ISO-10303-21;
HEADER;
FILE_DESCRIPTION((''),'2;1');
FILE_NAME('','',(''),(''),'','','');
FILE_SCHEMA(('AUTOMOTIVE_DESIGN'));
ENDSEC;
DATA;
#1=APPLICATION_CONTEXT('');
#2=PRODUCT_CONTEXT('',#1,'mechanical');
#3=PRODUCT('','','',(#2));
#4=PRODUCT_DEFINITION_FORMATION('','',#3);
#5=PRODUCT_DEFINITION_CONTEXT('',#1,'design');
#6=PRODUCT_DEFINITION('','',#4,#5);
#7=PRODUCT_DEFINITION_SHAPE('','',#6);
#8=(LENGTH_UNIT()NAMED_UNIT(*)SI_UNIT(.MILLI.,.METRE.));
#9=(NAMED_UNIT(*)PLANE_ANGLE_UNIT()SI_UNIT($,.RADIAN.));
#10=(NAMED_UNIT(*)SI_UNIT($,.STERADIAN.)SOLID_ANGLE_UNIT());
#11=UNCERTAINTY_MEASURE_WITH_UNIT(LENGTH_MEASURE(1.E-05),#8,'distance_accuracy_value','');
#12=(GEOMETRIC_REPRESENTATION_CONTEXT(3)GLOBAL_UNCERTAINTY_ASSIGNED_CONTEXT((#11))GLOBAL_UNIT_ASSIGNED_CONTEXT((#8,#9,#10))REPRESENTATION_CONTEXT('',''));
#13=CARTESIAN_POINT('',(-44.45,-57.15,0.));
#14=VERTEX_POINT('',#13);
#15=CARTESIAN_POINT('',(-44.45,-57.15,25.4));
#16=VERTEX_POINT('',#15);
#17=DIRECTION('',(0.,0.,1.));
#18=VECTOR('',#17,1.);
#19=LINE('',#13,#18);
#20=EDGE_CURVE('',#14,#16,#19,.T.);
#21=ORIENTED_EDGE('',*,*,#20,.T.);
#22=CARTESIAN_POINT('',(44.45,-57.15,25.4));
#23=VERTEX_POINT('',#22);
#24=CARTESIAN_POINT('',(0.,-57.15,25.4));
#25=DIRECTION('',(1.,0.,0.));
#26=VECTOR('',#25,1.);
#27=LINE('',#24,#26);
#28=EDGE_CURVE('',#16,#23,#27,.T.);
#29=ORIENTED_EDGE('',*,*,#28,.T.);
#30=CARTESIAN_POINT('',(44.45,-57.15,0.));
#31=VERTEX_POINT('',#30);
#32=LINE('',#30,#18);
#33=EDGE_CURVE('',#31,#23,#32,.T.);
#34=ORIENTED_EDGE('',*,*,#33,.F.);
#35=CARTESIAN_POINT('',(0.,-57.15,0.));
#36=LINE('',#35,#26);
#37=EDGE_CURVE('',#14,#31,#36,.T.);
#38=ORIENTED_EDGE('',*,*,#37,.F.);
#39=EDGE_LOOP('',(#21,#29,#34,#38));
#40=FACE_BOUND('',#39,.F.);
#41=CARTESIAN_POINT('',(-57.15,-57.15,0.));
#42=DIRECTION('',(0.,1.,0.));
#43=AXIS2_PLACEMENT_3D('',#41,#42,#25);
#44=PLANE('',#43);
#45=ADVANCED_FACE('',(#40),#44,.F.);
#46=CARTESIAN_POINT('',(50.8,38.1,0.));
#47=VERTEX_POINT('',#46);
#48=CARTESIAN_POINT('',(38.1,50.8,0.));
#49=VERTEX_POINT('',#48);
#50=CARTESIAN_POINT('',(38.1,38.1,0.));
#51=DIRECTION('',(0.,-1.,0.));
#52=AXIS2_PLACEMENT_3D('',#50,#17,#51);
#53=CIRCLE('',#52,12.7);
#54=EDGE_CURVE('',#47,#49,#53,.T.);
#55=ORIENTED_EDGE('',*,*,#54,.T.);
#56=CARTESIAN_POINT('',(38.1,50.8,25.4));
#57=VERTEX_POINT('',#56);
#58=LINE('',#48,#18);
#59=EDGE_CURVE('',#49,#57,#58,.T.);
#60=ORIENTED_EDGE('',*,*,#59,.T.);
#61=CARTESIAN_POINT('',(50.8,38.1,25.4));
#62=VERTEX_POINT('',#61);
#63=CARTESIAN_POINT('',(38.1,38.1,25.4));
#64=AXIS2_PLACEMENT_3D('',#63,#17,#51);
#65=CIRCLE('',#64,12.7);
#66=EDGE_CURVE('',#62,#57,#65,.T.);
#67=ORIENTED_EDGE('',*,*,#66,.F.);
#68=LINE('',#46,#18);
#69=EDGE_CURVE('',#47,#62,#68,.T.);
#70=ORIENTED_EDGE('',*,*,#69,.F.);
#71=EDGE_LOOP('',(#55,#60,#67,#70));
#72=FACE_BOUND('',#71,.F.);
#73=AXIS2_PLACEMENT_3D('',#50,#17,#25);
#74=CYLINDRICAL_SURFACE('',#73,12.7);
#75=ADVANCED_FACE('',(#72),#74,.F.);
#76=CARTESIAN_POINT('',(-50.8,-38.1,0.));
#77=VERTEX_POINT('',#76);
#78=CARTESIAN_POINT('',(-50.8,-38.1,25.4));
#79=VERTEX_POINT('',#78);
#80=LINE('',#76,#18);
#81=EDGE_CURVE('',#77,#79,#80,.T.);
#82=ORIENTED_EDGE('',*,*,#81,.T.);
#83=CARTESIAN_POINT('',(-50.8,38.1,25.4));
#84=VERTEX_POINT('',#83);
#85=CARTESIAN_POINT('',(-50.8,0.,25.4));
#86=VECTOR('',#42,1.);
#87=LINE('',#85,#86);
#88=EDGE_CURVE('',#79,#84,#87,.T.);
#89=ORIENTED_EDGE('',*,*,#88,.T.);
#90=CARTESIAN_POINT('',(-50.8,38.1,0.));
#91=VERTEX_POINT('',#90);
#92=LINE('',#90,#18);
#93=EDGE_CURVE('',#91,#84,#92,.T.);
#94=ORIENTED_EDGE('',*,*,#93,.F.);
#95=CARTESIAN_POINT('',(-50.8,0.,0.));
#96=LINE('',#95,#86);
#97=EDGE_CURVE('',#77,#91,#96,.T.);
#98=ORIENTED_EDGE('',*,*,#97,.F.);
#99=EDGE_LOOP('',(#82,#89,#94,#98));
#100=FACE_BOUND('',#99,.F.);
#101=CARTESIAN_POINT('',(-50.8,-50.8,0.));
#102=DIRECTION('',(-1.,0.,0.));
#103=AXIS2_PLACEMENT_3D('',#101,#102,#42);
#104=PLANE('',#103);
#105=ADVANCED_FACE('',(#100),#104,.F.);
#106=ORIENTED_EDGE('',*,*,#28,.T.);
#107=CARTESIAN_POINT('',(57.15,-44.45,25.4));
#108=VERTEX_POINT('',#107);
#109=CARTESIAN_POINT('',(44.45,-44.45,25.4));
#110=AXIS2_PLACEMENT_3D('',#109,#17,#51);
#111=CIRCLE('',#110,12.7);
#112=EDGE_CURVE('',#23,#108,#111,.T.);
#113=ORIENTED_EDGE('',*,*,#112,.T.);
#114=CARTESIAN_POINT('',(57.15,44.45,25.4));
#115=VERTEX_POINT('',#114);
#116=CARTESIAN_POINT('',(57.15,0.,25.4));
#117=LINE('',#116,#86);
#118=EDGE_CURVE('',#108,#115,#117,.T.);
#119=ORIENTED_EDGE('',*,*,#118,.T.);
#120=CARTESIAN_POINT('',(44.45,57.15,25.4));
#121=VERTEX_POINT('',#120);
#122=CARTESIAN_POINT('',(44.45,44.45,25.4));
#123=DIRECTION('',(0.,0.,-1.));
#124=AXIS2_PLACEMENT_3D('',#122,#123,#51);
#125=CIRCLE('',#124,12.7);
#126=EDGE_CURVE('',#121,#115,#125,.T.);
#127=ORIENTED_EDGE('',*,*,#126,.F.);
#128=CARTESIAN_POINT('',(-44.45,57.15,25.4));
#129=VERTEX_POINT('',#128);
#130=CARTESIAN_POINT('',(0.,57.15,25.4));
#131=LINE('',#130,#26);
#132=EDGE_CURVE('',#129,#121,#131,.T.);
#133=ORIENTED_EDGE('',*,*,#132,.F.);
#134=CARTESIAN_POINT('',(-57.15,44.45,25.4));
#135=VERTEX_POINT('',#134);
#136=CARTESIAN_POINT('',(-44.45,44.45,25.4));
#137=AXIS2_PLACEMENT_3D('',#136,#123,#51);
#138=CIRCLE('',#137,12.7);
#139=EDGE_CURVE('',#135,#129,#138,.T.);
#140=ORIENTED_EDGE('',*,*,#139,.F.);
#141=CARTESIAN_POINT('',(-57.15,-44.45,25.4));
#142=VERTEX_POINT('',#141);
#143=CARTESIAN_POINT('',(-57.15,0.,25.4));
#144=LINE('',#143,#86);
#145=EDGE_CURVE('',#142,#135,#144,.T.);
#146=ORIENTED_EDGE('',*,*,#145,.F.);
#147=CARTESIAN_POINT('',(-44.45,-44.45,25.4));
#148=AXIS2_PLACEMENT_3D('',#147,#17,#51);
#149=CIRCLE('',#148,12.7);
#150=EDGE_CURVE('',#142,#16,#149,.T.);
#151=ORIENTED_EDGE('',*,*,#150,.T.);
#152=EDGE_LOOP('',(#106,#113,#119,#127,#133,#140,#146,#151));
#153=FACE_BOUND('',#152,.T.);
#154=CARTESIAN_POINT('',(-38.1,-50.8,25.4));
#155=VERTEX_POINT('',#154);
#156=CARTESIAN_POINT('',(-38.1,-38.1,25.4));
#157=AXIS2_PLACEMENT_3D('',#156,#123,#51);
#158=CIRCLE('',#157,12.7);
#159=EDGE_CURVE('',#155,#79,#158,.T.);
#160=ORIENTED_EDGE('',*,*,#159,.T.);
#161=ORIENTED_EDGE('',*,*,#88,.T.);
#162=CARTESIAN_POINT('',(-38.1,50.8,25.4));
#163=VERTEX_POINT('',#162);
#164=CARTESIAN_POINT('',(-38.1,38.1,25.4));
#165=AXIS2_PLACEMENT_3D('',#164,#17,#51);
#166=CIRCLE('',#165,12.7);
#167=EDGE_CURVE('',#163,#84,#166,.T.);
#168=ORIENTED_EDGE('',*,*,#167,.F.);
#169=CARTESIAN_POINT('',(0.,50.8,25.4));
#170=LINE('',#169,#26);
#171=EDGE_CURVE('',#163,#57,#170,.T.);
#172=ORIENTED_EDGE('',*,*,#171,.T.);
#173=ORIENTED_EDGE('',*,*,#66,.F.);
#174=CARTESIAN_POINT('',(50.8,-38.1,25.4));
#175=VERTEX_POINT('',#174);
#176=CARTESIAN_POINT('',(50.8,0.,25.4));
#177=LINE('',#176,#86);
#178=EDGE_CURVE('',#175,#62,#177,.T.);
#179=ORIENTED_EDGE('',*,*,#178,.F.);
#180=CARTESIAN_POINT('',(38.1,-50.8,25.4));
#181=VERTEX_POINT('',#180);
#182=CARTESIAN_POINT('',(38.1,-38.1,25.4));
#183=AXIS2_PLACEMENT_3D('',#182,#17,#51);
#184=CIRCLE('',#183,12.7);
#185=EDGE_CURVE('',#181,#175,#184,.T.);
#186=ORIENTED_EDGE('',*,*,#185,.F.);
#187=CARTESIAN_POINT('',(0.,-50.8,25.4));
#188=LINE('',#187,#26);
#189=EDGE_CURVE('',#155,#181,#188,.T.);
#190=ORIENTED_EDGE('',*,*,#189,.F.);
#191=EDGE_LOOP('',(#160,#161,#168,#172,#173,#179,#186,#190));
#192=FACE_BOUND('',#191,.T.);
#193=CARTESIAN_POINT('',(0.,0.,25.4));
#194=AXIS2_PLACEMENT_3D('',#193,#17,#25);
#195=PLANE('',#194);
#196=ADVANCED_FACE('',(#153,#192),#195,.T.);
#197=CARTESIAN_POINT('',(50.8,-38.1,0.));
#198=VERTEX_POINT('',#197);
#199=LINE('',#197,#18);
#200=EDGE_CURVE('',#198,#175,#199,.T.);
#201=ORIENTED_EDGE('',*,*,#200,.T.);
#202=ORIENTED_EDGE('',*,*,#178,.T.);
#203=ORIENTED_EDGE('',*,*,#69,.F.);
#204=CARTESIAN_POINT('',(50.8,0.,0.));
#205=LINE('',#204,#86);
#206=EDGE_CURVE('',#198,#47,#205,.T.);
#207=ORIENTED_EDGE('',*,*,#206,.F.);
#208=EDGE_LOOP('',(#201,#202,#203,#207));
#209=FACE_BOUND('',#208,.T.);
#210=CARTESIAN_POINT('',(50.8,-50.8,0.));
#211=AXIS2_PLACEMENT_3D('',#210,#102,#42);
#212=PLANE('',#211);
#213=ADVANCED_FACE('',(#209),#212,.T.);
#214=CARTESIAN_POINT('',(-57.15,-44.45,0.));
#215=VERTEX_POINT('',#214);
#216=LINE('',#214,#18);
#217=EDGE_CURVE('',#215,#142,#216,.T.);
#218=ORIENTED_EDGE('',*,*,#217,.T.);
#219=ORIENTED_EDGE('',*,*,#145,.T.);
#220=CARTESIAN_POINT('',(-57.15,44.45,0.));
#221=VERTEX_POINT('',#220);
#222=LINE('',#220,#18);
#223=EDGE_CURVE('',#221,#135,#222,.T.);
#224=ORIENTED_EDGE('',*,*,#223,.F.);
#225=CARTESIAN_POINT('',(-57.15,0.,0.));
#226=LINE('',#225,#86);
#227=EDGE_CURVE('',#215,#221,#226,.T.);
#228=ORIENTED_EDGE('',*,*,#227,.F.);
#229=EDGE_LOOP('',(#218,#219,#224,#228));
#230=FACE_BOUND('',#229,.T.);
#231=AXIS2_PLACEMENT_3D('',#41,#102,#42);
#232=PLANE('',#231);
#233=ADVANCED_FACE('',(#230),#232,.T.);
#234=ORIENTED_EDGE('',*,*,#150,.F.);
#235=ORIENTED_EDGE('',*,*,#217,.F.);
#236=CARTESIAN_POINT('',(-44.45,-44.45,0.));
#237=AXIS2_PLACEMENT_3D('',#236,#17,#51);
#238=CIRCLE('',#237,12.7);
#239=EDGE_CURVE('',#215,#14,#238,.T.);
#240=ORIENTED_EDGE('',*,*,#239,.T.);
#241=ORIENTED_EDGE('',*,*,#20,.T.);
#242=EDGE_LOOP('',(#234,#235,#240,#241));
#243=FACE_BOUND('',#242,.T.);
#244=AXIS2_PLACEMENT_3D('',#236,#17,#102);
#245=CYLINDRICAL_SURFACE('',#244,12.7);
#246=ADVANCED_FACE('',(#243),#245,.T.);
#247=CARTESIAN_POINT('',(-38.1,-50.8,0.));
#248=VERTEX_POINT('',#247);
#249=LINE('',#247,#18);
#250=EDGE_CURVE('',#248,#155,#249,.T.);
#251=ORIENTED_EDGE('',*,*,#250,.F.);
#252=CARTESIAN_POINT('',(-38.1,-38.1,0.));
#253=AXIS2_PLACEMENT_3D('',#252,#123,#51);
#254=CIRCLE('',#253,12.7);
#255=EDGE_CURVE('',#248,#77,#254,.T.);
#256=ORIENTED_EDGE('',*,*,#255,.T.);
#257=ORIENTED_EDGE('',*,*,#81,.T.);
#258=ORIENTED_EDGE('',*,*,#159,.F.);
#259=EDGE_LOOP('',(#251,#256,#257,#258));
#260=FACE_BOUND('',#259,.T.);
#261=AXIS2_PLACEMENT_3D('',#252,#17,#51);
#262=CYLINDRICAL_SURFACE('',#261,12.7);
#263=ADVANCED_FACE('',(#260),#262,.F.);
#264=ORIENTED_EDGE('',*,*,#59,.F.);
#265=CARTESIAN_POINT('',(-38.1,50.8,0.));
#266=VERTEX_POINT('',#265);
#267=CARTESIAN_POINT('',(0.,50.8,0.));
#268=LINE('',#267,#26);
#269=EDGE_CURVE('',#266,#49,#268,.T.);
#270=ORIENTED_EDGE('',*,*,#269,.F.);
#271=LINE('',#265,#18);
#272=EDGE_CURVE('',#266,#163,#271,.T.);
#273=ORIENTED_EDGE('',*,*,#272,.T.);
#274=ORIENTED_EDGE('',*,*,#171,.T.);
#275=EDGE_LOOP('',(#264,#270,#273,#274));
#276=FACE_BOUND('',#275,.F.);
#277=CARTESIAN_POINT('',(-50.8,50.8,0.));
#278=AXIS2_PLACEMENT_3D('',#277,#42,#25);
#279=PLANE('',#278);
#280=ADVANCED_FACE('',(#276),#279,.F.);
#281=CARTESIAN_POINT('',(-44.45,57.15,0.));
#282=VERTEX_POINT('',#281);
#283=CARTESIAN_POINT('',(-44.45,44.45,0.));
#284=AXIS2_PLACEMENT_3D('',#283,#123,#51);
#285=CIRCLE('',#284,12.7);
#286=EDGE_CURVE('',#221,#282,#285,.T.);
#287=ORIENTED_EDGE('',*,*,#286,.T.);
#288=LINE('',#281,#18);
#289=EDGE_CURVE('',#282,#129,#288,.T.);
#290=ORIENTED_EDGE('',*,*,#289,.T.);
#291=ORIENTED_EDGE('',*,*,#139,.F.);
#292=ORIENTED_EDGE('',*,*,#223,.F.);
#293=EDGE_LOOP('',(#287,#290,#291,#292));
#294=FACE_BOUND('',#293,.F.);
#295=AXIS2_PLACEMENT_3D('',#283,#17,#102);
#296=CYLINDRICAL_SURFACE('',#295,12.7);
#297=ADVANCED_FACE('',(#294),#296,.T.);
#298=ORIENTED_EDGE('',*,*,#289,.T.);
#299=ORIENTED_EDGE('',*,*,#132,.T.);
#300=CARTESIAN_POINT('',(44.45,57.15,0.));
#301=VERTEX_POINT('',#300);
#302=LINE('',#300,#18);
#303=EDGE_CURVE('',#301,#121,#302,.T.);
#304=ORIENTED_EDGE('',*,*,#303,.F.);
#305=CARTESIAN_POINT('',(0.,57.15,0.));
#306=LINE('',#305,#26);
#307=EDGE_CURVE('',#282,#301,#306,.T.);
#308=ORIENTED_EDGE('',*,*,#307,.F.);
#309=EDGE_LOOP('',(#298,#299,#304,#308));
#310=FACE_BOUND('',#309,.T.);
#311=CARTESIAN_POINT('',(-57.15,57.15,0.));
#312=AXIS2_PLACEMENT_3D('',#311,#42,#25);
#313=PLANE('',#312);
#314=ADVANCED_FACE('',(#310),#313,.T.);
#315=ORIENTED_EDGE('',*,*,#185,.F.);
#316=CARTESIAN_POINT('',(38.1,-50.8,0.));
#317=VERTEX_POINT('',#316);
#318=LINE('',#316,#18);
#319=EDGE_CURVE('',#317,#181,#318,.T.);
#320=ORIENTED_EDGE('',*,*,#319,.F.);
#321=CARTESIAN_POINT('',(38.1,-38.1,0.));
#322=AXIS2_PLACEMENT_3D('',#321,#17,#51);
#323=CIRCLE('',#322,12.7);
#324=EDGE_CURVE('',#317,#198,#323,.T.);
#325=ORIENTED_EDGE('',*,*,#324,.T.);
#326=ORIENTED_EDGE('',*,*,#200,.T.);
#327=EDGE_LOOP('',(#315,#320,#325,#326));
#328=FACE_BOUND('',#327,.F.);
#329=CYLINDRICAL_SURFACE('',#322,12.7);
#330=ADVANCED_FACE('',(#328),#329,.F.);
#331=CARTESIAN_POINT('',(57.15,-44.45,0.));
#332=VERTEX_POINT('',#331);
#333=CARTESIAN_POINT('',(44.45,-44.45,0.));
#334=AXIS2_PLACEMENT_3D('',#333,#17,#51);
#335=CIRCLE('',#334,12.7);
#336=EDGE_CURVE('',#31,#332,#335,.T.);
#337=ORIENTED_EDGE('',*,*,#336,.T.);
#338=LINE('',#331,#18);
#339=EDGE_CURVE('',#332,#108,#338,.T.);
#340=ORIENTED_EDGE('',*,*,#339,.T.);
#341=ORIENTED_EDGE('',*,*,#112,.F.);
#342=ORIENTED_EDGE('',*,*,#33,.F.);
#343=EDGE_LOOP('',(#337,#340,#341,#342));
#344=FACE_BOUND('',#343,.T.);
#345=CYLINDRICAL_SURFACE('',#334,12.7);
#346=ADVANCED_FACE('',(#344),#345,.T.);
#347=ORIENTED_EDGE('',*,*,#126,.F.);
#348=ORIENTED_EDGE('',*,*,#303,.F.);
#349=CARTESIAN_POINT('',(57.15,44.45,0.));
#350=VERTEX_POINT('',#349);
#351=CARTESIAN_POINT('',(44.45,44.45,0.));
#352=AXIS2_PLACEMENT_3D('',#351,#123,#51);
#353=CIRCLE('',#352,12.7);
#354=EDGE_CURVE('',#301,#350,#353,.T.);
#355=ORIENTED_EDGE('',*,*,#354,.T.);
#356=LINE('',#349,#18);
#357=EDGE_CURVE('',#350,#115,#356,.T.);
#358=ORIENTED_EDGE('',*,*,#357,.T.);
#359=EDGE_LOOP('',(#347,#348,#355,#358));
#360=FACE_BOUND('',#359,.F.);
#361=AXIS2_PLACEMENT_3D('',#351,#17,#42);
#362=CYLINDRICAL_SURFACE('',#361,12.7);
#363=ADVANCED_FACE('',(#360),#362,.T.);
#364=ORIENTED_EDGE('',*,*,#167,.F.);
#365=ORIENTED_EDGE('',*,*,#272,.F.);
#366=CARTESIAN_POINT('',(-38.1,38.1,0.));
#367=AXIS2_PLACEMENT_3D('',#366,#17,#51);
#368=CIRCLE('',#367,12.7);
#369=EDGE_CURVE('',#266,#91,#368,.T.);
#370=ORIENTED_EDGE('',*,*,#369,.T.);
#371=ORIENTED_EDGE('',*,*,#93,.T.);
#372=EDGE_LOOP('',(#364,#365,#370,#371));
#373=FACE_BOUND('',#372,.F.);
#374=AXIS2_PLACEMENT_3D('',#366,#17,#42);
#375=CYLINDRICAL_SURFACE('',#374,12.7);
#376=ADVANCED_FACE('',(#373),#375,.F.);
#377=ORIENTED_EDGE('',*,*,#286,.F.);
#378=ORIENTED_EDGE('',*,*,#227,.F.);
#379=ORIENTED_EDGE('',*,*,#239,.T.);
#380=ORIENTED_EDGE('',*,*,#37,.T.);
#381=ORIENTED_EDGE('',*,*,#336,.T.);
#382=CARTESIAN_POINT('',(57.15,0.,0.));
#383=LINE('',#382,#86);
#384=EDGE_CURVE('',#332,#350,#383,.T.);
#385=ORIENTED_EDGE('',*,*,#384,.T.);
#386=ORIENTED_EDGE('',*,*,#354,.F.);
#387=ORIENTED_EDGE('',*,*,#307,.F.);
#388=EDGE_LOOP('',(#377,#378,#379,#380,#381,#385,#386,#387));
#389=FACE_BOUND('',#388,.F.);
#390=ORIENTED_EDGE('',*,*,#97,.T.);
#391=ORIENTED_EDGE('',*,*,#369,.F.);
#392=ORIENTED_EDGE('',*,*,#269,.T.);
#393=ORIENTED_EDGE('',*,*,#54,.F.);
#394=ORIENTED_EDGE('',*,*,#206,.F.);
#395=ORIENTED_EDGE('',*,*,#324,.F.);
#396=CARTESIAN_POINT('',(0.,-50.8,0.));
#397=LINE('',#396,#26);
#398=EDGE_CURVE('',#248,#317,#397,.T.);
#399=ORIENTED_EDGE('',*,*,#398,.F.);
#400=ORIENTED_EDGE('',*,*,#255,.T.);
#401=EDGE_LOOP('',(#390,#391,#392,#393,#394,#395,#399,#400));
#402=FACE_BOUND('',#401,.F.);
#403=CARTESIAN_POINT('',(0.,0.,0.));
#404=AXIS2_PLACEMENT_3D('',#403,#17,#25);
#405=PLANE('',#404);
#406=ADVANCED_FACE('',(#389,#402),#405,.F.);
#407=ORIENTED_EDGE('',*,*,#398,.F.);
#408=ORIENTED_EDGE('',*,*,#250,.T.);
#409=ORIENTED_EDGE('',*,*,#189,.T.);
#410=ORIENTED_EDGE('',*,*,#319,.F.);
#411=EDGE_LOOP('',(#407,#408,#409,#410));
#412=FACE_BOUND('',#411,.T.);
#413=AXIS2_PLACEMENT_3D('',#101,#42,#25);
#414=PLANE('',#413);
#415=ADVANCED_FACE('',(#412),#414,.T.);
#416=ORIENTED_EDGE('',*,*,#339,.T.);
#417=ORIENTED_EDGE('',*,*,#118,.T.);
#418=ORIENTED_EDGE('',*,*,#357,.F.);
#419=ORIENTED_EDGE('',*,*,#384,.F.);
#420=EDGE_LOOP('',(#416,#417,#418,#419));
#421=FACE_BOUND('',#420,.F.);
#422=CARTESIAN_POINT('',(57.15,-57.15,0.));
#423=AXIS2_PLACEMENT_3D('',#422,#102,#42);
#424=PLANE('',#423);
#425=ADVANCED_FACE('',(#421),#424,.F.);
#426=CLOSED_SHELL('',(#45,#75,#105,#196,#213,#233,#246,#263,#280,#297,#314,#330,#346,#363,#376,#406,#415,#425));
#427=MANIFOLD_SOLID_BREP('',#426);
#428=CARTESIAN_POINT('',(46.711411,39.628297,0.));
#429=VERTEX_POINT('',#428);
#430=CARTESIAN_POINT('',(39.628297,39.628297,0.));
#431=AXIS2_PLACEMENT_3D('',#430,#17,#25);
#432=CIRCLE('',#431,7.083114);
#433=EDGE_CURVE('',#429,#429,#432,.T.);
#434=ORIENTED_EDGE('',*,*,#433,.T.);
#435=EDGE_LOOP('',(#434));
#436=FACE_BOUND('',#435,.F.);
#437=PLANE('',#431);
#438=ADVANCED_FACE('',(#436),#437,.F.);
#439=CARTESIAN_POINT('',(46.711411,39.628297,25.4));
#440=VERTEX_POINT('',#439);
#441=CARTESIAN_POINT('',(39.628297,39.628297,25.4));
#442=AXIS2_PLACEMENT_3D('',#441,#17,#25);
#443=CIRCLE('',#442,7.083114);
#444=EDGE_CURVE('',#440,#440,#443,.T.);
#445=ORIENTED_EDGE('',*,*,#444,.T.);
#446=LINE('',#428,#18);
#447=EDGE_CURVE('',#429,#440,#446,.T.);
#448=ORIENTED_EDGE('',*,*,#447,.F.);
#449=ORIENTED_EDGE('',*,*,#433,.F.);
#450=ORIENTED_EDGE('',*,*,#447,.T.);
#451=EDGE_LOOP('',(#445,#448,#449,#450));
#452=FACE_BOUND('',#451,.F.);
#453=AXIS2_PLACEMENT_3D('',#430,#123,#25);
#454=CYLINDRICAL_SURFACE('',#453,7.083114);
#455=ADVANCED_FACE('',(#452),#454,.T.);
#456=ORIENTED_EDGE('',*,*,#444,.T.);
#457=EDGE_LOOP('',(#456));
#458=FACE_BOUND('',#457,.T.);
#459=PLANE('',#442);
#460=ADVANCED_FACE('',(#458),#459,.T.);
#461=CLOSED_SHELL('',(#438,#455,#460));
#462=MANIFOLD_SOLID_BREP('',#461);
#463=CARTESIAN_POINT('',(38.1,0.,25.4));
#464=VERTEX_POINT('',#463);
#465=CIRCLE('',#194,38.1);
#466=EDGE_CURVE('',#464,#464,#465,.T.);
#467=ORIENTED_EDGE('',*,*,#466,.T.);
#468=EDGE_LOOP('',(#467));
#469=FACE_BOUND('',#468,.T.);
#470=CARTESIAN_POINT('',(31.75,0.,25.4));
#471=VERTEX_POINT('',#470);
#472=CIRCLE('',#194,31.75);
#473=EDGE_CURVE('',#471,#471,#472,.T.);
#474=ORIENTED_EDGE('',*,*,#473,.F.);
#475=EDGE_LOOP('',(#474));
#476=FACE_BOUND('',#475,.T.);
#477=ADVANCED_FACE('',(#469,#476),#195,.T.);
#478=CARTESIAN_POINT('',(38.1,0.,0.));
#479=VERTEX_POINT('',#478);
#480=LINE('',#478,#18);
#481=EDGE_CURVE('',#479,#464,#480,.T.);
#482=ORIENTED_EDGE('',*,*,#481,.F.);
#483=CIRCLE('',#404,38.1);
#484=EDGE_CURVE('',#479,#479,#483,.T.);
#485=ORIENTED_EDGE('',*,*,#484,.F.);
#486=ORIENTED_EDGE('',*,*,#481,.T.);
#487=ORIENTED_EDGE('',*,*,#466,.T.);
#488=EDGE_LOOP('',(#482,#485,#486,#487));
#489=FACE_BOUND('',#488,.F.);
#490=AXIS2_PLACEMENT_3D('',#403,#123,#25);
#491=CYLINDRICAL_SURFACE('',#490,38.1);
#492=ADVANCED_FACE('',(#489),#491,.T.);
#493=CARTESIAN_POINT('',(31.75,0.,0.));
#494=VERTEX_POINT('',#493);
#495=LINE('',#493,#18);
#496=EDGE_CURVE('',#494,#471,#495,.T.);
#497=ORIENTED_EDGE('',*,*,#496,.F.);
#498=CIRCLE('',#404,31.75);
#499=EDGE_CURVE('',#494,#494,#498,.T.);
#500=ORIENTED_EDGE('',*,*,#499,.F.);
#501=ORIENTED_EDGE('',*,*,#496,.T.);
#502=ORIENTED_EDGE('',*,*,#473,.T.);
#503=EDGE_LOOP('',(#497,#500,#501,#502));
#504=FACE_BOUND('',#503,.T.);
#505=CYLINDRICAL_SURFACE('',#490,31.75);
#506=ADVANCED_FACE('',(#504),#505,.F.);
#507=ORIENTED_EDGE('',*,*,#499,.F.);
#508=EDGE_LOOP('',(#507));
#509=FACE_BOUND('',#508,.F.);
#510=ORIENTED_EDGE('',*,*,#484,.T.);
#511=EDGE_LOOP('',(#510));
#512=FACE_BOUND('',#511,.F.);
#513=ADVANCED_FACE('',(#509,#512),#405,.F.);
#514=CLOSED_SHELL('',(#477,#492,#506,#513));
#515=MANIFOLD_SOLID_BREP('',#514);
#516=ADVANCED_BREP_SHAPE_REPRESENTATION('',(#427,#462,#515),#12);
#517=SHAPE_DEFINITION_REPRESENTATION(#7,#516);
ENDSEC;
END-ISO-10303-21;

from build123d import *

# Parameters (mm, degrees)
F0_W     = 114.3
F0_H     = 114.3
F0_W_2   = 101.6
F0_H_2   = 101.6
F0_R     = 38.1
F0_R_2   = 31.75
F0_R_3   = 7.083114
F1_DEPTH = 25.4
F2_R     = 12.7


with BuildPart() as f1:
    # F0 (on Top) → F1 (new body)
    with BuildSketch(Plane.XY):
        Rectangle(F0_W, F0_H)
        Rectangle(F0_W_2, F0_H_2, mode=Mode.SUBTRACT)
        Circle(F0_R)
        Circle(F0_R_2, mode=Mode.SUBTRACT)
        with Locations((39.628297, 39.628297)):
            Circle(F0_R_3)
    extrude(amount=F1_DEPTH)

    # F2
    f2_edges = [f1.edges().sort_by_distance(p)[0] for p in [
        (-57.15, -57.15, 12.7),
        (-50.8, 50.8, 12.7),
        (-50.8, -50.8, 12.7),
        (50.8, 50.8, 12.7),
        (57.15, -57.15, 12.7),
        (-57.15, 57.15, 12.7),
        (57.15, 57.15, 12.7),
        (50.8, -50.8, 12.7),
    ]]
    fillet(f2_edges, radius=F2_R)


solid = f1.part
